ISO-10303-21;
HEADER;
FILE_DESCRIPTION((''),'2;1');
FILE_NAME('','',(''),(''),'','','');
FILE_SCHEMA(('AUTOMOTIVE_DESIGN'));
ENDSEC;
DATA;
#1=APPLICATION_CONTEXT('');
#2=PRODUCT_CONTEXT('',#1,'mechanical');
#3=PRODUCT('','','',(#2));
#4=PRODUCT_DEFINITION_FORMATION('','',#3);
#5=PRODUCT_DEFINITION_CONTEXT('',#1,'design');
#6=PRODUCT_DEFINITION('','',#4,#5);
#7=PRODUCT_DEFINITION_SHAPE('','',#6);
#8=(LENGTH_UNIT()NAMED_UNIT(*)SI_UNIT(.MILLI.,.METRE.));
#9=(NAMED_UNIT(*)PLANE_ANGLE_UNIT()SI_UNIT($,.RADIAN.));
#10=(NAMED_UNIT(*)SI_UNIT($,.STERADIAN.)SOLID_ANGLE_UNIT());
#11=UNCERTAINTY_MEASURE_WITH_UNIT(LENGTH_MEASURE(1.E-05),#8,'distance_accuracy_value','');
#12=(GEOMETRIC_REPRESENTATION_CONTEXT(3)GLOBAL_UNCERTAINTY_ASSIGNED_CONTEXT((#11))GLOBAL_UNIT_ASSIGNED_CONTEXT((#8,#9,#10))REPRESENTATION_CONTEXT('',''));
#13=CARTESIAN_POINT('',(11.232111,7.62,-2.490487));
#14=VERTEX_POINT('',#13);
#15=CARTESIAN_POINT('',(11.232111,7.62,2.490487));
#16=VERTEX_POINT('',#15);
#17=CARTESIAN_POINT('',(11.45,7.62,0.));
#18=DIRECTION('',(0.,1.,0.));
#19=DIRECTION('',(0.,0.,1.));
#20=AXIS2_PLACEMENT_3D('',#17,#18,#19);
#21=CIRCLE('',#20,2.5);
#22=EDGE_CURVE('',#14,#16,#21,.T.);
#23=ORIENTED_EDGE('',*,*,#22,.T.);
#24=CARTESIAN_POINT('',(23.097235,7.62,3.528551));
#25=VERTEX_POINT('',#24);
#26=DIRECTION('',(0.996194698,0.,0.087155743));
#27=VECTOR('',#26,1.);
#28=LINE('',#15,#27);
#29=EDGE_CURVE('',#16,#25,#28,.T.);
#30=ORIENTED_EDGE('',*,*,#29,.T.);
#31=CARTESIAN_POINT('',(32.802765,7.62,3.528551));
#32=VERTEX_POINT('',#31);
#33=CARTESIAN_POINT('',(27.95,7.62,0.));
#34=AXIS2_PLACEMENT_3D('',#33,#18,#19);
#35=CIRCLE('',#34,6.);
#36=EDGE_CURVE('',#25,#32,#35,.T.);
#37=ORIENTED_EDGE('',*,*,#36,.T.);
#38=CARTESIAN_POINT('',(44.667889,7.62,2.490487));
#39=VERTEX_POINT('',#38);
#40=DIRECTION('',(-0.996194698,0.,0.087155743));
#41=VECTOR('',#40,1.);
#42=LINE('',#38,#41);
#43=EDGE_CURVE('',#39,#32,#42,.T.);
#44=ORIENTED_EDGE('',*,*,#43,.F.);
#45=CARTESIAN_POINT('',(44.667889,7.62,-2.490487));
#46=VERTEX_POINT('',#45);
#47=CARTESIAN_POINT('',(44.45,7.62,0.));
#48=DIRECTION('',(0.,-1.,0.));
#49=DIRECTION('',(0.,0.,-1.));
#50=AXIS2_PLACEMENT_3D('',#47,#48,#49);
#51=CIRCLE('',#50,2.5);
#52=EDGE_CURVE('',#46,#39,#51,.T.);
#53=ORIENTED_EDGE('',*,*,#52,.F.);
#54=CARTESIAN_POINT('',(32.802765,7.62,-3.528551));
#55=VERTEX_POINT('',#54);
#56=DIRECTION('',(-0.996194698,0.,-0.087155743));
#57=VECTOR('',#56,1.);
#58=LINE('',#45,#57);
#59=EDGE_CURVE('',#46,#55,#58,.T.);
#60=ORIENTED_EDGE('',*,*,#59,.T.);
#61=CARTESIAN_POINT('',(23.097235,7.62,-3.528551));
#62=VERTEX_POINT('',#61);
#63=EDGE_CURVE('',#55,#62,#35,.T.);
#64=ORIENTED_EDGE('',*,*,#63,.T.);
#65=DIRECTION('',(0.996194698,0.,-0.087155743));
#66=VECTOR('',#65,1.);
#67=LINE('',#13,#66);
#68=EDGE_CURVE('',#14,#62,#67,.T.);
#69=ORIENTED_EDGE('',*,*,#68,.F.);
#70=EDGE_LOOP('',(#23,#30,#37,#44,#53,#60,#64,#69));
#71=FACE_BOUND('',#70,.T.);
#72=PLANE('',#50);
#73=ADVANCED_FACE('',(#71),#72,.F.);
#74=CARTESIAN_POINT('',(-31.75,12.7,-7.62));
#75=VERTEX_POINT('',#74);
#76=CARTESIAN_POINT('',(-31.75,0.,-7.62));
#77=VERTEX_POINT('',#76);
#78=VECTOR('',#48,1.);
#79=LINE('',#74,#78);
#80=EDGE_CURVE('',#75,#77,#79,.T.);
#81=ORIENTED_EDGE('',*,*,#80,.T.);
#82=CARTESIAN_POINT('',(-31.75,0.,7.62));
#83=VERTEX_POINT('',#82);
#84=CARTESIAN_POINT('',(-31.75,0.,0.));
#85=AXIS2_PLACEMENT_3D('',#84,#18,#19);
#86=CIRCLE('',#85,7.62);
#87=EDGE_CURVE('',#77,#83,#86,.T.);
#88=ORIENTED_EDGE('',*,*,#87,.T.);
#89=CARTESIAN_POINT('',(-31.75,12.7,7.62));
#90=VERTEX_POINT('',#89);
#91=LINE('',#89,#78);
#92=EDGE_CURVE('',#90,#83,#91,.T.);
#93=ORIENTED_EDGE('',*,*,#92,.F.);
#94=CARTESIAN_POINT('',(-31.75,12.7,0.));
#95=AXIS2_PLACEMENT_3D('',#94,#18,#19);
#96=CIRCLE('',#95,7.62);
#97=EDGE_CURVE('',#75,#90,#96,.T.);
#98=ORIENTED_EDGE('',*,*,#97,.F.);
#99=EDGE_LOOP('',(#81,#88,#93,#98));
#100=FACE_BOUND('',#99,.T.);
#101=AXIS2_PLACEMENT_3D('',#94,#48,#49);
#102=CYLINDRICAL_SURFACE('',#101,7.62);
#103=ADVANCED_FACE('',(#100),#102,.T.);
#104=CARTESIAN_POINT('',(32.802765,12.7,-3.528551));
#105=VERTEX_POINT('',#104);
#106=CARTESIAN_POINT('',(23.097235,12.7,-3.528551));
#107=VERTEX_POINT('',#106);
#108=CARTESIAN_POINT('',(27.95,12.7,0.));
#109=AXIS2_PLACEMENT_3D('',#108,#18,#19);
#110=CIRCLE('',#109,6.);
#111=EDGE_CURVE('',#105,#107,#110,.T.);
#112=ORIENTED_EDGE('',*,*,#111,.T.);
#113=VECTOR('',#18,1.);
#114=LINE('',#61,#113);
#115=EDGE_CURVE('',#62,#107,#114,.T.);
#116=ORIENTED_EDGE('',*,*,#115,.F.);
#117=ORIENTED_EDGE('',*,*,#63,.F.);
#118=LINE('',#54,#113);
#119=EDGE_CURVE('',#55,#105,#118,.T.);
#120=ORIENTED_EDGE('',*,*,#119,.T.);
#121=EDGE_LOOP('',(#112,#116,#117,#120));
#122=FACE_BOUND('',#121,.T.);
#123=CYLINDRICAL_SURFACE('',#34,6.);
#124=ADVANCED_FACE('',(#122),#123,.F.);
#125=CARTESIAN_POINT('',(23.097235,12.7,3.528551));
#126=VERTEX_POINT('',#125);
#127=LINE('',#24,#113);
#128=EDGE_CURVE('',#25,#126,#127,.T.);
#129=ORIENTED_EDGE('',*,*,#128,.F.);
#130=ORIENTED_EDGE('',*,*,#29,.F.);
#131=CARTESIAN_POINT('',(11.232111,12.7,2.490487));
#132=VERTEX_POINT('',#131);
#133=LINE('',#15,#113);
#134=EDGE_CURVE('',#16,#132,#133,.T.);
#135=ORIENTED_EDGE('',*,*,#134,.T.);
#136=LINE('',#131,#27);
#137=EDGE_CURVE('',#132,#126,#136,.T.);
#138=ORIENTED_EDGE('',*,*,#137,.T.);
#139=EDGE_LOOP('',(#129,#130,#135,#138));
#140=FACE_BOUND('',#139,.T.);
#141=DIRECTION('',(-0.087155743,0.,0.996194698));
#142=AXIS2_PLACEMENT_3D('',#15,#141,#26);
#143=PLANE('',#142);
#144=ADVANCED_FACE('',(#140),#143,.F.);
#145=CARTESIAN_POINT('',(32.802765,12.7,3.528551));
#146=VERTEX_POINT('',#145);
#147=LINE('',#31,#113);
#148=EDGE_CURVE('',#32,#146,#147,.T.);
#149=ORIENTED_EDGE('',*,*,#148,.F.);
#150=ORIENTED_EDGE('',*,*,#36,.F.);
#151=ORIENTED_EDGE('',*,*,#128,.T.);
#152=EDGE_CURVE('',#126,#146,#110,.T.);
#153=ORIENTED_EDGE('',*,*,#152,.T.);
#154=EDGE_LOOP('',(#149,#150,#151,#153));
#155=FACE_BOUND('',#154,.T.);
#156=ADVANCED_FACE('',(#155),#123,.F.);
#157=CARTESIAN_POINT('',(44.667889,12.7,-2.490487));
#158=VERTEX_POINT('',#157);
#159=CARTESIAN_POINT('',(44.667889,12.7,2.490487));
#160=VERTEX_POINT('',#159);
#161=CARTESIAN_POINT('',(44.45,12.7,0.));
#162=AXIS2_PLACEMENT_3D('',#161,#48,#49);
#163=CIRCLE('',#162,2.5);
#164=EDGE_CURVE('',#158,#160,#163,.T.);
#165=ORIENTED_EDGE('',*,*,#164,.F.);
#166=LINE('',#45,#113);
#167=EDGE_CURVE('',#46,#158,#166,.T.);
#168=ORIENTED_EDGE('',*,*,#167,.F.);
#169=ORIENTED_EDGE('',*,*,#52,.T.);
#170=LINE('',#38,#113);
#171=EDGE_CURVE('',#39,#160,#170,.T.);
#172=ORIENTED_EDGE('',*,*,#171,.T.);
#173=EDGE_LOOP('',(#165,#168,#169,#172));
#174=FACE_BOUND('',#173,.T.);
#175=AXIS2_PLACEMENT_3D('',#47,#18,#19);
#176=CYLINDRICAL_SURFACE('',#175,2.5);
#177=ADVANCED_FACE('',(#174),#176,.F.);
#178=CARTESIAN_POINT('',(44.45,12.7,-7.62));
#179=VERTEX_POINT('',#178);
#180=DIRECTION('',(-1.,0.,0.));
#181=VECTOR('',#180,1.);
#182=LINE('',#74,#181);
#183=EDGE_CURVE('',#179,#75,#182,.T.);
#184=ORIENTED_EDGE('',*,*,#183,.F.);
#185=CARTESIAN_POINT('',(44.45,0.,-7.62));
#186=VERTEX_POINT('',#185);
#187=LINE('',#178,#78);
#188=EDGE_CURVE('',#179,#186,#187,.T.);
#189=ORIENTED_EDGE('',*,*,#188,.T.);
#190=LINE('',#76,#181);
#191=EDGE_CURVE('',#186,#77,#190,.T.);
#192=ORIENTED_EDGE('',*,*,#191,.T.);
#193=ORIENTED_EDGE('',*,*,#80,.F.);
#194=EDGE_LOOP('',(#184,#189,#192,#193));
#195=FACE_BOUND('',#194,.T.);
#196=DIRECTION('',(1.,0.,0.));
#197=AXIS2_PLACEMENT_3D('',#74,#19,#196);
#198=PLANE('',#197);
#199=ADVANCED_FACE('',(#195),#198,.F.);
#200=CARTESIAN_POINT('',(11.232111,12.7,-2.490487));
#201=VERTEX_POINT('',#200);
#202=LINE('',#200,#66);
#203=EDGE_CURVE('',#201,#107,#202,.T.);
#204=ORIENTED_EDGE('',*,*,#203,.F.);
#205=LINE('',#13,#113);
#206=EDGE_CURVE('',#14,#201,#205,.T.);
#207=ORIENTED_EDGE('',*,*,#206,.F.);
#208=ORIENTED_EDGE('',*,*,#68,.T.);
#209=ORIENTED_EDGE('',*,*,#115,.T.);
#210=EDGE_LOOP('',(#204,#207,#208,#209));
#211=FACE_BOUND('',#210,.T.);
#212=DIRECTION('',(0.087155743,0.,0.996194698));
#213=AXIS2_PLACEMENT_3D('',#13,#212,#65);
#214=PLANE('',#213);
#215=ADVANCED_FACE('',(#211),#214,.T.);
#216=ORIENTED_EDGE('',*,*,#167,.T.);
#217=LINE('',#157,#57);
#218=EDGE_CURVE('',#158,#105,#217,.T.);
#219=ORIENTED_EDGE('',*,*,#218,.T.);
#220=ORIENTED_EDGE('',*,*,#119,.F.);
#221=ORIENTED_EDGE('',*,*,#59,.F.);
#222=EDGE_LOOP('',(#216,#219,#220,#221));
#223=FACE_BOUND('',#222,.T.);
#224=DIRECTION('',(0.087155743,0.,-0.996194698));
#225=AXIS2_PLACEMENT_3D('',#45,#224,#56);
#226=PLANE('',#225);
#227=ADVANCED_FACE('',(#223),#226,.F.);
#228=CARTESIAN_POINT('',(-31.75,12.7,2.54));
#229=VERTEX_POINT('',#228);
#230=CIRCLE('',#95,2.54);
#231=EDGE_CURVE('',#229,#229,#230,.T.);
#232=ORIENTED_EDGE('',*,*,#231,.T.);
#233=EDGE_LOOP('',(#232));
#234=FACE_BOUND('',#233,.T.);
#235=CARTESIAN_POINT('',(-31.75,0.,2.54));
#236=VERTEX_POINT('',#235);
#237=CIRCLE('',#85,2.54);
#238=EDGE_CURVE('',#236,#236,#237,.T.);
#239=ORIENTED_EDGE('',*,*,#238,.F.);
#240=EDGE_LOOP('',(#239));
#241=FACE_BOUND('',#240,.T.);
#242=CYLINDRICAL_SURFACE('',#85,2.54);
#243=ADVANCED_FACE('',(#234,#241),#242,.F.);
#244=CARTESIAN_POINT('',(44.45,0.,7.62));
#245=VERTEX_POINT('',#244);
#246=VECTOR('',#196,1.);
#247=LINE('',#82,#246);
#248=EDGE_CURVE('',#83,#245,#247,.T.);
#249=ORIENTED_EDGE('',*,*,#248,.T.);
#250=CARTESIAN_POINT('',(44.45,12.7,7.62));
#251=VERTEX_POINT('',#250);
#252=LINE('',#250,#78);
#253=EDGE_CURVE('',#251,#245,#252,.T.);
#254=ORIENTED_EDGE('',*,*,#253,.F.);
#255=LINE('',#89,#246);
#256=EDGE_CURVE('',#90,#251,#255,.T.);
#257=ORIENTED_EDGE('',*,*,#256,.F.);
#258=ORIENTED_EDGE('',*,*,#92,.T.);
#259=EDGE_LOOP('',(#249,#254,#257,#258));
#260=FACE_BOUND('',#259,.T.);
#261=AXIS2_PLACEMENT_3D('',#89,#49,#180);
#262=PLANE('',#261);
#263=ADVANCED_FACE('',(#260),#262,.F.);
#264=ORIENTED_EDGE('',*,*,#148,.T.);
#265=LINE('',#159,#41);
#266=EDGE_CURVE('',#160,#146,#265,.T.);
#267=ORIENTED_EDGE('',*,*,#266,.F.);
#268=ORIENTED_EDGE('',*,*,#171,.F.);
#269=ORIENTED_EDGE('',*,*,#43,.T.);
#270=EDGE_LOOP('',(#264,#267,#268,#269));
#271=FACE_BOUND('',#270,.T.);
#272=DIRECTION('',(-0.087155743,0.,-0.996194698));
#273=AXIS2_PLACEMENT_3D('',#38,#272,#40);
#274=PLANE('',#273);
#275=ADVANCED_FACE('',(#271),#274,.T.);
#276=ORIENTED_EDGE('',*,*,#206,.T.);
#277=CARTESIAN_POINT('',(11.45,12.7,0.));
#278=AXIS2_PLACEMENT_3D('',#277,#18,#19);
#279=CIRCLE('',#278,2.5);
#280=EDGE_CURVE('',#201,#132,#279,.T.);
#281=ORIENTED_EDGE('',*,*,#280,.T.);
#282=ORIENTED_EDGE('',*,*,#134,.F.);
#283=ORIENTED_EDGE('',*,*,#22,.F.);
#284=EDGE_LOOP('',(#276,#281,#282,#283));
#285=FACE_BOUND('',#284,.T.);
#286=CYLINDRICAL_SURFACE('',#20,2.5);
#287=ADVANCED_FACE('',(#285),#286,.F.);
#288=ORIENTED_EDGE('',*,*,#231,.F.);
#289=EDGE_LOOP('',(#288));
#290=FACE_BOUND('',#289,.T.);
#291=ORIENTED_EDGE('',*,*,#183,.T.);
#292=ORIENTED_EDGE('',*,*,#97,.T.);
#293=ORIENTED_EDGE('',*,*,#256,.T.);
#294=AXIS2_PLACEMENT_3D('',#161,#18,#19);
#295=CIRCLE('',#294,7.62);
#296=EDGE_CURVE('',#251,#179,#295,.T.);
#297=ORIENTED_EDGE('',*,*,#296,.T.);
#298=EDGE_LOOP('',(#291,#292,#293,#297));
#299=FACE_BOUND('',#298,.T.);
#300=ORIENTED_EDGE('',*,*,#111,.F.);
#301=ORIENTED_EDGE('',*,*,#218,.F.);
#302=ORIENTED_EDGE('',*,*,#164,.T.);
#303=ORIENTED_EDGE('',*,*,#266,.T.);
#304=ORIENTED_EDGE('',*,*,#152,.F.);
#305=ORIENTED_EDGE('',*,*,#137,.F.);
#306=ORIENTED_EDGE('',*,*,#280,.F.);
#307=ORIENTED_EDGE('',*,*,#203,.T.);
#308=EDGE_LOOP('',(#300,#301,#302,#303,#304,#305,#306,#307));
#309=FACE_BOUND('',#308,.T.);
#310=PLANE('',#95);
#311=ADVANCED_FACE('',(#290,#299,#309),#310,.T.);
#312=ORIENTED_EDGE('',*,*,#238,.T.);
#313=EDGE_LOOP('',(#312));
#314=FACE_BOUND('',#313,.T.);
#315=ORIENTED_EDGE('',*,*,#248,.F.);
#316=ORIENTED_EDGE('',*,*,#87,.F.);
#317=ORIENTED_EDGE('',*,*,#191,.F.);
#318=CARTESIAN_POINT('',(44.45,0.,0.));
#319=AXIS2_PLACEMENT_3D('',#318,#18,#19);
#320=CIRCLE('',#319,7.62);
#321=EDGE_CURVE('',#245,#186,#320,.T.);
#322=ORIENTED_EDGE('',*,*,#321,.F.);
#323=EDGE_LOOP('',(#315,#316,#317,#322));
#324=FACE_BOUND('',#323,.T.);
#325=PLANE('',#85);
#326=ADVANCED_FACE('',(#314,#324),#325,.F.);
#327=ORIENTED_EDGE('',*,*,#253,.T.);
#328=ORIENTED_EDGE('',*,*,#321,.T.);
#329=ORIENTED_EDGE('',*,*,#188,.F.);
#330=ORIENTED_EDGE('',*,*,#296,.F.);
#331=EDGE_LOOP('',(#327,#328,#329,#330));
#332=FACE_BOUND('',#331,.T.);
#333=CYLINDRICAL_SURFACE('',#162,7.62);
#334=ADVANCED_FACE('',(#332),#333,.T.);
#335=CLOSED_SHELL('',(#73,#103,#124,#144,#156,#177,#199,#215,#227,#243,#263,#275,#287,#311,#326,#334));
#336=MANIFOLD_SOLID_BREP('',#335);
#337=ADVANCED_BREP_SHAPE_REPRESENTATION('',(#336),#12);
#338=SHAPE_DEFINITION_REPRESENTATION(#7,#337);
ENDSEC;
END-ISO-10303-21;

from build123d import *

# Parameters (mm, degrees)
BOSS_EXTRUDE1_DEPTH = 12.7
SKETCH4_R           = 2.54
CUT_EXTRUDE3_DEPTH  = 55.135379374
CUT_EXTRUDE6_DEPTH  = 5.08


with BuildPart() as part:
    # Sketch3 → Boss-Extrude1 (new body)
    with BuildSketch(Plane(origin=(0, 0, 0), x_dir=(1, 0, 0), z_dir=(0, 1, 0))):
        with BuildLine():
            Line((-31.75, 7.62), (44.45, 7.62))
            ThreePointArc((44.45, 7.62), (52.07, 0), (44.45, -7.62))
            Line((44.45, -7.62), (-31.75, -7.62))
            ThreePointArc((-31.75, -7.62), (-39.37, 0), (-31.75, 7.62))
        make_face()
    extrude(amount=BOSS_EXTRUDE1_DEPTH)

    # Sketch4 → Cut-Extrude3 (cut, through all)
    with BuildSketch(Plane(origin=(0, 12.7, 0), x_dir=(1, 0, 0), z_dir=(0, 1, 0))):
        with Locations(Location((-31.75, 0, 0), (0, 0, 270))):
            Circle(SKETCH4_R)
    extrude(amount=-CUT_EXTRUDE3_DEPTH, mode=Mode.SUBTRACT)

    # Sketch9 → Cut-Extrude6 (cut)
    with BuildSketch(Plane(origin=(0, 12.7, 0), x_dir=(-1, 0, 0), z_dir=(0, 1, 0))):
        with BuildLine():
            Line((-11.232110643, -2.490486745), (-23.097234737, -3.528550595))
            ThreePointArc((-23.097234737, -3.528550595), (-27.95, -6), (-32.802765263, -3.528550595))
            Line((-32.802765263, -3.528550595), (-44.667889357, -2.490486745))
            ThreePointArc((-44.667889357, -2.490486745), (-46.95, 0), (-44.667889357, 2.490486745))
            Line((-44.667889357, 2.490486745), (-32.802765263, 3.528550595))
            ThreePointArc((-32.802765263, 3.528550595), (-27.95, 6), (-23.097234737, 3.528550595))
            Line((-23.097234737, 3.528550595), (-11.232110643, 2.490486745))
            ThreePointArc((-11.232110643, 2.490486745), (-8.95, 0), (-11.232110643, -2.490486745))
        make_face()
    extrude(amount=-CUT_EXTRUDE6_DEPTH, mode=Mode.SUBTRACT)


solid = part.part
